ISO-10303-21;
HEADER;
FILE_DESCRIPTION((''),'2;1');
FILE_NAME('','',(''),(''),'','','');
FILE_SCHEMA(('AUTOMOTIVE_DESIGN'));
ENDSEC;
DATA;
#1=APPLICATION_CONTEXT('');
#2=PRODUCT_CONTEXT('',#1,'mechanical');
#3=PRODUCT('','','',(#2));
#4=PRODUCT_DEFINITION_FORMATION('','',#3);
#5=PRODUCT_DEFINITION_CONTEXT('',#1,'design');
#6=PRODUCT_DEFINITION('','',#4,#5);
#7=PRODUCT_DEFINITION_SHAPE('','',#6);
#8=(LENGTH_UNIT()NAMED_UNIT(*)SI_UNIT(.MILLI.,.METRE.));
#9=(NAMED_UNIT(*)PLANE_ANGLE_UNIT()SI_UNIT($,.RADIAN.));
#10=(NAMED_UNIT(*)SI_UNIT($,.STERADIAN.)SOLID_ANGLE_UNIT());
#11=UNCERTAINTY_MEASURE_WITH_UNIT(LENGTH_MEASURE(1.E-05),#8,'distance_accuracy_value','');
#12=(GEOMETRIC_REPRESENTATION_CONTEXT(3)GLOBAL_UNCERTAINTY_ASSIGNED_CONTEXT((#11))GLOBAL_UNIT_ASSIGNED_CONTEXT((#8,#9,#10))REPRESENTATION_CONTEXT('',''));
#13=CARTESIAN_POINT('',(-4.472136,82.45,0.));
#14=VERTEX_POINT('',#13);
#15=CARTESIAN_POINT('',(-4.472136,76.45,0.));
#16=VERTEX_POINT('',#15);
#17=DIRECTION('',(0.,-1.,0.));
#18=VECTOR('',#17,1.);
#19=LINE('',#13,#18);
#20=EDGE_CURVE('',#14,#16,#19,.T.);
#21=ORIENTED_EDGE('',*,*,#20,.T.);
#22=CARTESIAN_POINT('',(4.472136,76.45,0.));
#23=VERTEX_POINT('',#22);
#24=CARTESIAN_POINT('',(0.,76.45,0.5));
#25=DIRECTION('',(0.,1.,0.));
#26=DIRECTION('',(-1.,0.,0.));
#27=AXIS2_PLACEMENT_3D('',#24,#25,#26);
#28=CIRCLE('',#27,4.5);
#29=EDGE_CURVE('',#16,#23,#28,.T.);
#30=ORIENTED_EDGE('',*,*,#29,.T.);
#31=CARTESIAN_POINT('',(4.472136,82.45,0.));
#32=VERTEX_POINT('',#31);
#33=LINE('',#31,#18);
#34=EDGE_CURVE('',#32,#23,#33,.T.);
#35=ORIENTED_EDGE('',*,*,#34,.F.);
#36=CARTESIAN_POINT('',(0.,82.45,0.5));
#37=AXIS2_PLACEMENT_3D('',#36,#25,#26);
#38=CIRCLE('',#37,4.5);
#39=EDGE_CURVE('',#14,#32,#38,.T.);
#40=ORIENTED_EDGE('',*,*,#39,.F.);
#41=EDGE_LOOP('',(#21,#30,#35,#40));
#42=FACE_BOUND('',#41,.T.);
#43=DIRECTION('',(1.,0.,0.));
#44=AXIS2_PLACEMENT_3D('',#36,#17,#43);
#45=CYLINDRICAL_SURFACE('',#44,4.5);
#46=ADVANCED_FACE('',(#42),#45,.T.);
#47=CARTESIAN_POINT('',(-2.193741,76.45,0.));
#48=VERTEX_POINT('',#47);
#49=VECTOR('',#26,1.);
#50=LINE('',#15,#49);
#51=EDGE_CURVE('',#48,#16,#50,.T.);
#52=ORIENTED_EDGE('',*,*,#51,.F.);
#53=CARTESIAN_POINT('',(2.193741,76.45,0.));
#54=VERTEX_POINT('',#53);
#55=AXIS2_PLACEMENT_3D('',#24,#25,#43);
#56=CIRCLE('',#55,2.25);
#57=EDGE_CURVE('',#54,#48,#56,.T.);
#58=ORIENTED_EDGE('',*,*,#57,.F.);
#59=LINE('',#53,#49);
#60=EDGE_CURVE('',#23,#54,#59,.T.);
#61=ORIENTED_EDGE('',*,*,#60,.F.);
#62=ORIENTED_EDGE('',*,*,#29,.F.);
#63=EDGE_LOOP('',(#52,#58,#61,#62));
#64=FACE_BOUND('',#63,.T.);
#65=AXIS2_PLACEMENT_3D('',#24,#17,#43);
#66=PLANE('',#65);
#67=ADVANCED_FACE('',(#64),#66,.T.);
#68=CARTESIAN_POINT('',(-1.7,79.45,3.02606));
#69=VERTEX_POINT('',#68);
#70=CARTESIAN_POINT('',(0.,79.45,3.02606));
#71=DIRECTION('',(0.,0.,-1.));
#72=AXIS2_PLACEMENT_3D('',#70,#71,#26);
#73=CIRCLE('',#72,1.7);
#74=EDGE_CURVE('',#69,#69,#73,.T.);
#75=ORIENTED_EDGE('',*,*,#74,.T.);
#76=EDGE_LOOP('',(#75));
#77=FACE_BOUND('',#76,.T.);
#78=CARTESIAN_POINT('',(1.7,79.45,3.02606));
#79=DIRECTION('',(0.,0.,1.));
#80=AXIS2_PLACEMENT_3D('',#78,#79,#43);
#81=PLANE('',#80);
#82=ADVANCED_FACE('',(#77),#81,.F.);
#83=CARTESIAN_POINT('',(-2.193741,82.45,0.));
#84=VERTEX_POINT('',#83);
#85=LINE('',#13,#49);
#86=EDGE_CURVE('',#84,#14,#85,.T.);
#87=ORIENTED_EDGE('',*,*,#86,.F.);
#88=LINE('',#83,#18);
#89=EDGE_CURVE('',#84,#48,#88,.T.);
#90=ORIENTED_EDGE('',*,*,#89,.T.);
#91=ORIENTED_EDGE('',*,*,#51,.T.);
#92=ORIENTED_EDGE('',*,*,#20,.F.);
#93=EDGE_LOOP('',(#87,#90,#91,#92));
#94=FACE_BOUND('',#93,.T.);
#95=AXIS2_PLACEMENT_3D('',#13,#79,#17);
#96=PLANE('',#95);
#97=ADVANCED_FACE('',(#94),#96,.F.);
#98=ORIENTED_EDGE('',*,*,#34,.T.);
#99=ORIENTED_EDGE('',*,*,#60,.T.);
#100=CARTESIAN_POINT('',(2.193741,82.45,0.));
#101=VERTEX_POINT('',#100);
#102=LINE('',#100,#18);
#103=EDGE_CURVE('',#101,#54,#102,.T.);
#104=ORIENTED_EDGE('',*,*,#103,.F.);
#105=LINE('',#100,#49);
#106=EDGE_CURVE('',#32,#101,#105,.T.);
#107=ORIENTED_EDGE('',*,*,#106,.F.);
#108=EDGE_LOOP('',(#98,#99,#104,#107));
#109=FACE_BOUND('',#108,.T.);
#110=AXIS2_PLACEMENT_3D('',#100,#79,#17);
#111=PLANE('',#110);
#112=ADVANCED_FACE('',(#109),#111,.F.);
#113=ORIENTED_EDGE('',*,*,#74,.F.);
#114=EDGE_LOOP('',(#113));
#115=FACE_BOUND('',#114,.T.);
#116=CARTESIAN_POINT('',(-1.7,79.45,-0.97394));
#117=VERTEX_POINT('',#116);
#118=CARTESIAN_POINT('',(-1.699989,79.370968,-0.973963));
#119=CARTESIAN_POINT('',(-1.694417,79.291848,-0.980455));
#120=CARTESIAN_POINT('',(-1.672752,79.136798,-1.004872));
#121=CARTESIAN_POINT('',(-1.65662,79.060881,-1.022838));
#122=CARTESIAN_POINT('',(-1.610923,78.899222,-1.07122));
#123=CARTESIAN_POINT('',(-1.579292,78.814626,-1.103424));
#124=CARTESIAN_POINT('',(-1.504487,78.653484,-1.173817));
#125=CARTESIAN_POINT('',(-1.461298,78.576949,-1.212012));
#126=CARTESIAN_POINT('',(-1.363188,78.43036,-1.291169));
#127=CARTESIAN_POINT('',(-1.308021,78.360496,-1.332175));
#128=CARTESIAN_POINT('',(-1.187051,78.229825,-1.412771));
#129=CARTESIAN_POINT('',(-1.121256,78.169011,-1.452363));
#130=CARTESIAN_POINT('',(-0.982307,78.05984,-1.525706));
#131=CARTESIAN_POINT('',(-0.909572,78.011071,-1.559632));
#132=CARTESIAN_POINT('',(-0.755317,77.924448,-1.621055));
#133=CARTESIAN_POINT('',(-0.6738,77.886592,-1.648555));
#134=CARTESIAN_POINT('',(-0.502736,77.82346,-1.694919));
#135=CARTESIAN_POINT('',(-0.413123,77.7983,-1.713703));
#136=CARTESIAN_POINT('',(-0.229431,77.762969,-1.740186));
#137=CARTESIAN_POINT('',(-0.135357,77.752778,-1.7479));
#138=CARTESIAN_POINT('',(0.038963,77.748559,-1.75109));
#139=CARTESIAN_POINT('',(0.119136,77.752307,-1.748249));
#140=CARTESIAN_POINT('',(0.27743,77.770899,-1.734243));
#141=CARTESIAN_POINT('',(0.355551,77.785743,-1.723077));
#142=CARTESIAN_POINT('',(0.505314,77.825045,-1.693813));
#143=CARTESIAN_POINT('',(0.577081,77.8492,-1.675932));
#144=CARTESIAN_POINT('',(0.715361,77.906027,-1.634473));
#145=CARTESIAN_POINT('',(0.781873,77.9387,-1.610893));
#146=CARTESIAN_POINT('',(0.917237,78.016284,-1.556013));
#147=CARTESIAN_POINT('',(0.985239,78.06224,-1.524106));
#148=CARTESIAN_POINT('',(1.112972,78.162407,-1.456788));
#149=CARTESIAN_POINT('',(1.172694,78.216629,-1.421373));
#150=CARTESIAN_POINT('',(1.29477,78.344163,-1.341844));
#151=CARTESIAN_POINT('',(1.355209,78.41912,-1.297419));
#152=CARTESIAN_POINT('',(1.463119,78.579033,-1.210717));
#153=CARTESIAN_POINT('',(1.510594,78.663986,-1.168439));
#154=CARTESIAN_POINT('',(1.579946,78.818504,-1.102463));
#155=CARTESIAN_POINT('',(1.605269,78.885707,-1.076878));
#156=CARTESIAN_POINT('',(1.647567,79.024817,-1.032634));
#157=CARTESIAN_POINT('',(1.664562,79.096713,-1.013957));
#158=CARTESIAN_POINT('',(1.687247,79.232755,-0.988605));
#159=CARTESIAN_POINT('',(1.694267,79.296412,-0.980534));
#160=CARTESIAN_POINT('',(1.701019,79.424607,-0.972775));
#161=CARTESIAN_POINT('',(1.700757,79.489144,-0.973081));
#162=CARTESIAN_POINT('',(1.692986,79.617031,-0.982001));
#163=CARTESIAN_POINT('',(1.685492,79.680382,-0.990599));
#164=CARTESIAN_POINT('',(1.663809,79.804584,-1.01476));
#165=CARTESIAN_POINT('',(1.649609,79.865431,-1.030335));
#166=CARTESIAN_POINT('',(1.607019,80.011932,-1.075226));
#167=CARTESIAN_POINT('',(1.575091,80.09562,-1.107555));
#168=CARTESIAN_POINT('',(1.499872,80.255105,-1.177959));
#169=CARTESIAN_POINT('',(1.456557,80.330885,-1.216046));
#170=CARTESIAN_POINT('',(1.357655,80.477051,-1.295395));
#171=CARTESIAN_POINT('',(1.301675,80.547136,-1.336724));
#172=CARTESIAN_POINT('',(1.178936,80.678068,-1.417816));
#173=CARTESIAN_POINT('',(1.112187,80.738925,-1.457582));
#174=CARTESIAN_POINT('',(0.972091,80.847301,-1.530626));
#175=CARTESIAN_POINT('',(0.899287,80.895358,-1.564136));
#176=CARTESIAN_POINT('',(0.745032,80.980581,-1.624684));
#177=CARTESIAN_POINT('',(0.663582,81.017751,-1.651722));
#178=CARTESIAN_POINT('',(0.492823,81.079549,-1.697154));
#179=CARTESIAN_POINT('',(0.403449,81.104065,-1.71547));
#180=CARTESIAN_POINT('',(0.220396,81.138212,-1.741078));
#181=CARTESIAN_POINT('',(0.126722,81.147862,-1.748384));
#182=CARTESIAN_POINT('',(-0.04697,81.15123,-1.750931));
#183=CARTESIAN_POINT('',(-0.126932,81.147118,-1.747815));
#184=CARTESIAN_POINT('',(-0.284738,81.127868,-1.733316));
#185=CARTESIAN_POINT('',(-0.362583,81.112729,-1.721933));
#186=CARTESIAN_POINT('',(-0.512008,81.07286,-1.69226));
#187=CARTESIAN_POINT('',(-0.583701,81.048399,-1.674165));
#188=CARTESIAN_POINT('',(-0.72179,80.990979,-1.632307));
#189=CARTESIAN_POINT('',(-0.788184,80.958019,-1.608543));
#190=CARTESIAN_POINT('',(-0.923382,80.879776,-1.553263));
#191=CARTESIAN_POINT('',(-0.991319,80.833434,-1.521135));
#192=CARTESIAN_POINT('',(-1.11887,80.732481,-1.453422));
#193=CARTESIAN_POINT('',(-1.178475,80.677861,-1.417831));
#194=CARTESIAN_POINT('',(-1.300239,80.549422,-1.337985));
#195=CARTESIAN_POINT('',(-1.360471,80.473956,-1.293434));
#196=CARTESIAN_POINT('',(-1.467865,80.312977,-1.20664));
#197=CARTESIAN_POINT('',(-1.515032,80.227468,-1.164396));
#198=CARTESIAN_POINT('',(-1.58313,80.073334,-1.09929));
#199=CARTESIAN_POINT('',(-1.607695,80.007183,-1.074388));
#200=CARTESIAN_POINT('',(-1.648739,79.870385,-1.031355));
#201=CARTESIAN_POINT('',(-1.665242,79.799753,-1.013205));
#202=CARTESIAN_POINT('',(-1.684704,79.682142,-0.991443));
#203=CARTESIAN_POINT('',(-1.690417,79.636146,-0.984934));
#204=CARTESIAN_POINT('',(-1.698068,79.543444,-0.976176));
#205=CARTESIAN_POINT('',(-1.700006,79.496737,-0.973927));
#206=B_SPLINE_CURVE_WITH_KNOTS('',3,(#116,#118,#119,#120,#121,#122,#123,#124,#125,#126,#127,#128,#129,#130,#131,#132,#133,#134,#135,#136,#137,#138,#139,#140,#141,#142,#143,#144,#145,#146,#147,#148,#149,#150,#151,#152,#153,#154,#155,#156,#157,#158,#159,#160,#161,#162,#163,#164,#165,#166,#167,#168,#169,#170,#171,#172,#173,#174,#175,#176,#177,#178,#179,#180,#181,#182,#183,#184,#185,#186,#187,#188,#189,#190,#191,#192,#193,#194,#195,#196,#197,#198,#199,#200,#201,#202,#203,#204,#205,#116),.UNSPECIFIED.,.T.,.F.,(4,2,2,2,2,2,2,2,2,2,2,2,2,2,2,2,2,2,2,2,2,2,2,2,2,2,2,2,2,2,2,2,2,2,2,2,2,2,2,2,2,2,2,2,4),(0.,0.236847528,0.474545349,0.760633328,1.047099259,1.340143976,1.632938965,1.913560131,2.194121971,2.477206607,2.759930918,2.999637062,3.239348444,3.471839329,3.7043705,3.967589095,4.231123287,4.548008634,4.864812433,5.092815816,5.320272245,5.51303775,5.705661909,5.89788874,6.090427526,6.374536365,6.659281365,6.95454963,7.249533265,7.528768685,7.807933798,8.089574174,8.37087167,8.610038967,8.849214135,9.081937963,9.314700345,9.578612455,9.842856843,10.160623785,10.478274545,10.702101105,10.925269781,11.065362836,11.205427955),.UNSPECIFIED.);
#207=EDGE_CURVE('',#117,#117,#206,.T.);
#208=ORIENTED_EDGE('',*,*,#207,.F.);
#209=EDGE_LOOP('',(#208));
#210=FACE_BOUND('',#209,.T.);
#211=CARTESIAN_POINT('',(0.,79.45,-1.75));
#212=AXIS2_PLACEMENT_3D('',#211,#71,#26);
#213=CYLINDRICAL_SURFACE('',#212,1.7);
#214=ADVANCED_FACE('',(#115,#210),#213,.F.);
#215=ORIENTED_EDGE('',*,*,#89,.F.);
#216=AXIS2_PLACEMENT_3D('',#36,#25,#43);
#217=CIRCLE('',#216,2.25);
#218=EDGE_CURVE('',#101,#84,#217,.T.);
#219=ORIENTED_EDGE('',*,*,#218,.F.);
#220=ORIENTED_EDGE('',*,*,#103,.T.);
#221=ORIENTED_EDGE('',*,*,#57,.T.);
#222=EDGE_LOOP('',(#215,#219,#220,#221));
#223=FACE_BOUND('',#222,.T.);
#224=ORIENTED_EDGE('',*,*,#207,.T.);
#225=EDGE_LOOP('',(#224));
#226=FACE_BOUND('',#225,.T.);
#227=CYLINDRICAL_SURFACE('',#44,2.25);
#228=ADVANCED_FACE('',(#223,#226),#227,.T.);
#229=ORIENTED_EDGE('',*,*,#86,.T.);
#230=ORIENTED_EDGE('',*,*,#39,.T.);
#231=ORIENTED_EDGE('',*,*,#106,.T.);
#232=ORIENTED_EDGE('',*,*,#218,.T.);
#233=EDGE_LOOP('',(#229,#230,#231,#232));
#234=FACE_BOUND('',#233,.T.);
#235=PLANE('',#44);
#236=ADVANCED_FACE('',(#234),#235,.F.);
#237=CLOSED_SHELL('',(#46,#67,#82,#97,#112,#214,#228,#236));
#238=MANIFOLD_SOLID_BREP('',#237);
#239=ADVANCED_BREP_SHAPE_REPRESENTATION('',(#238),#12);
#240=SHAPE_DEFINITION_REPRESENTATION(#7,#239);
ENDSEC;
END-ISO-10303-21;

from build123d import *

# Parameters (mm, degrees)
AUFSATZ_LINEAR_START            = 0.5
AUFSATZ_LINEAR_AUSTRAGEN1_DEPTH = 6


with BuildPart() as part:
    # Skizze2 → Aufsatz-Linear austragen1 (new body)
    with BuildSketch(Plane(origin=(0, 75.95, 0), x_dir=(1, 0, 0), z_dir=(0, 1, 0)).offset(AUFSATZ_LINEAR_START)):
        with BuildLine():
            Line((-4.472135955, 0), (-2.193741097, 0))
            ThreePointArc((-2.193741097, 0), (0, 1.75), (2.193741097, 0))
            Line((2.193741097, 0), (4.472135955, 0))
            ThreePointArc((4.472135955, 0), (0, -5), (-4.472135955, 0))
        make_face()
    extrude(amount=AUFSATZ_LINEAR_AUSTRAGEN1_DEPTH)

    # Skizze6 → Schnitt-Rotation4 (revolve, cut)
    with BuildSketch(Plane(origin=(0, 79.45, 0), x_dir=(-1, 0, 0), z_dir=(0, -1, 0))):
        Polygon((-1.7, 0.973940297), (-1.7, -3.026059703), (0, -3.026059703), (0, 1.75), (0, 1.9), (-1.7, 1.9), align=None)
    revolve(axis=Axis((0, 79.45, -1.75), (0, 0, 1)), mode=Mode.SUBTRACT)


solid = part.part
